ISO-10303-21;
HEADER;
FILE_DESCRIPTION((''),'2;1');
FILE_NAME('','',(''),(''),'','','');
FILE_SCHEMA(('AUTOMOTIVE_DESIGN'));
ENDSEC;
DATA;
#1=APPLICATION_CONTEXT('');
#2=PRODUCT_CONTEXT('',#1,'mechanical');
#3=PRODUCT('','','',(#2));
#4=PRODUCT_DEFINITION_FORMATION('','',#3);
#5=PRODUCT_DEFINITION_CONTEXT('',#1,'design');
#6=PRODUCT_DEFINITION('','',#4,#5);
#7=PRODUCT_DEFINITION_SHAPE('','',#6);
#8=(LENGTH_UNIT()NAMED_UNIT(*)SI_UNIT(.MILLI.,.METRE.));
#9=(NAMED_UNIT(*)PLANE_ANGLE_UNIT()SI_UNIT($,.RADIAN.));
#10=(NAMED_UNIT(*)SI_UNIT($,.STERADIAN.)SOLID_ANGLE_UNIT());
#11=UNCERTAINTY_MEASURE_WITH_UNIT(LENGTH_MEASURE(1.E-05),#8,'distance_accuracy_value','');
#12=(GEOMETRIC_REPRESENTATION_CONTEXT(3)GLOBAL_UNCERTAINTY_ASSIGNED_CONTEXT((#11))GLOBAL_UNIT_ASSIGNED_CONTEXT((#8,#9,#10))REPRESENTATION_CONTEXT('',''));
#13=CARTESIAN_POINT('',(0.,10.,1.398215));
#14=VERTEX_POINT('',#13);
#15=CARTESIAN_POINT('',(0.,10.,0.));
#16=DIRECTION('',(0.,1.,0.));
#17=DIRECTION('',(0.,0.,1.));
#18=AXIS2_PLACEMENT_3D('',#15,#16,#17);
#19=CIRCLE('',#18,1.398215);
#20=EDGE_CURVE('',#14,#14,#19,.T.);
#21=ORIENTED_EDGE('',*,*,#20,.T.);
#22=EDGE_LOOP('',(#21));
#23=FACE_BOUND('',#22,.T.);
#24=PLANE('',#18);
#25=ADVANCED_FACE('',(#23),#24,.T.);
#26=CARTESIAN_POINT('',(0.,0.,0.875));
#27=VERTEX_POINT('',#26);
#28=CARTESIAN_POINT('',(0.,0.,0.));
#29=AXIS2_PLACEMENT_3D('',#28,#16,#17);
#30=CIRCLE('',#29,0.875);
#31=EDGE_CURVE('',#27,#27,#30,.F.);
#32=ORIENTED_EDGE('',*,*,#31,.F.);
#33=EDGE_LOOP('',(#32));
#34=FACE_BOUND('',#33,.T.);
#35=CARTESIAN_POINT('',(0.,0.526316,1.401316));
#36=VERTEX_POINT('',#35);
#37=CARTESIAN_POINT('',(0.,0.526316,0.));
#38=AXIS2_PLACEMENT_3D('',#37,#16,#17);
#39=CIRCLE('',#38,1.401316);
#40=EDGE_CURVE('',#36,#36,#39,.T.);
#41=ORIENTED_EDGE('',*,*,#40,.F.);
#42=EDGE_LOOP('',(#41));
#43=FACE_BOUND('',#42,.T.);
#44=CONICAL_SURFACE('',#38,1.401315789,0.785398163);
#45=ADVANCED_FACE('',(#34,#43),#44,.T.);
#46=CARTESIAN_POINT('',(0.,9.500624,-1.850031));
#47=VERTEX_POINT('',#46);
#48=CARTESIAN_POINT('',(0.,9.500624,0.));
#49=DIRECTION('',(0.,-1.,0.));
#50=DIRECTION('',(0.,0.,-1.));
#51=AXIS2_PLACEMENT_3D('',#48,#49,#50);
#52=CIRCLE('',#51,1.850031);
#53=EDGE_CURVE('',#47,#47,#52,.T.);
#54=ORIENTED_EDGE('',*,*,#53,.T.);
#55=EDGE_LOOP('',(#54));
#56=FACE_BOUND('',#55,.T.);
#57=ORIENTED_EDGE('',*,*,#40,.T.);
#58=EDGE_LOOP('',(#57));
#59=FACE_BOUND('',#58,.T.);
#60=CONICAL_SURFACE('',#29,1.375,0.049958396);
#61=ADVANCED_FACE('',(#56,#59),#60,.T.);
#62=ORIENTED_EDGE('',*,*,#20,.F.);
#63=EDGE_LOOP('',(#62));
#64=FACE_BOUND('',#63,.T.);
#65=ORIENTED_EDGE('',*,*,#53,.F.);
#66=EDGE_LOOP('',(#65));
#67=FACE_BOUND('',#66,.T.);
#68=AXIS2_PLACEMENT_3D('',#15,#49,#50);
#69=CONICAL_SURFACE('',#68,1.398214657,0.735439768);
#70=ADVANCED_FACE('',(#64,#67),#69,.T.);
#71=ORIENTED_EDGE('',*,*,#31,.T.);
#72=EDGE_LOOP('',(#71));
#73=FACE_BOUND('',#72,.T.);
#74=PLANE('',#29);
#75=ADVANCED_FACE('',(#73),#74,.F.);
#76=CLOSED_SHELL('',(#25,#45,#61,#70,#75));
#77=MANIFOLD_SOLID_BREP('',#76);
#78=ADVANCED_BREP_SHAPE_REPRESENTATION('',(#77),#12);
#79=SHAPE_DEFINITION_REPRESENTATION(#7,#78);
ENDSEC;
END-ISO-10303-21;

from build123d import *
from OCP.BRepFilletAPI import BRepFilletAPI_MakeChamfer

# Parameters (mm, degrees)
SKETCH2_R        = 1.875
SKETCH1_R        = 1.375
CHAMFER1_SIZE    = 0.5
CHAMFER1_SIZE2   = 0.526973274
CHAMFER1_SIZE2_2 = 0.476785343


with BuildPart() as part:
    # Sketch2 → Loft1 section 0
    with BuildSketch(Plane(origin=(0, 10, 0), x_dir=(1, 0, 0), z_dir=(0, 1, 0))):
        Circle(SKETCH2_R)
    # Sketch1 → Loft1 section 1
    with BuildSketch(Plane(origin=(0, 0, 0), x_dir=(1, 0, 0), z_dir=(0, 1, 0))):
        Circle(SKETCH1_R)
    loft()

    # Chamfer1: one chamfer whose edges measure the first distance from different faces: ONE call of the kernel's chamfer builder (chamfer() names one face for all edges)
    chamfer1_edges_1 = [part.edges().sort_by_distance(p)[0] for p in [
        (-1.375, 0, 0),
    ]]
    chamfer1_side_1 = [part.faces().sort_by_distance(p)[0] for p in [
        (0, 0, 0),
    ]]
    chamfer1_edges_2 = [part.edges().sort_by_distance(p)[0] for p in [
        (-1.875, 10, 0),
    ]]
    chamfer1_side_2 = [part.faces().sort_by_distance(p)[0] for p in [
        (-1.625, 5, 0),
    ]]
    chamfer1 = BRepFilletAPI_MakeChamfer(part.part.solid().wrapped)
    for e in chamfer1_edges_1:
        chamfer1.Add(CHAMFER1_SIZE, CHAMFER1_SIZE2, e.wrapped, chamfer1_side_1[0].wrapped)  # the first distance lies on this face
    for e in chamfer1_edges_2:
        chamfer1.Add(CHAMFER1_SIZE, CHAMFER1_SIZE2_2, e.wrapped, chamfer1_side_2[0].wrapped)  # the first distance lies on this face
    add(Compound.cast(chamfer1.Shape()), mode=Mode.REPLACE)


solid = part.part
